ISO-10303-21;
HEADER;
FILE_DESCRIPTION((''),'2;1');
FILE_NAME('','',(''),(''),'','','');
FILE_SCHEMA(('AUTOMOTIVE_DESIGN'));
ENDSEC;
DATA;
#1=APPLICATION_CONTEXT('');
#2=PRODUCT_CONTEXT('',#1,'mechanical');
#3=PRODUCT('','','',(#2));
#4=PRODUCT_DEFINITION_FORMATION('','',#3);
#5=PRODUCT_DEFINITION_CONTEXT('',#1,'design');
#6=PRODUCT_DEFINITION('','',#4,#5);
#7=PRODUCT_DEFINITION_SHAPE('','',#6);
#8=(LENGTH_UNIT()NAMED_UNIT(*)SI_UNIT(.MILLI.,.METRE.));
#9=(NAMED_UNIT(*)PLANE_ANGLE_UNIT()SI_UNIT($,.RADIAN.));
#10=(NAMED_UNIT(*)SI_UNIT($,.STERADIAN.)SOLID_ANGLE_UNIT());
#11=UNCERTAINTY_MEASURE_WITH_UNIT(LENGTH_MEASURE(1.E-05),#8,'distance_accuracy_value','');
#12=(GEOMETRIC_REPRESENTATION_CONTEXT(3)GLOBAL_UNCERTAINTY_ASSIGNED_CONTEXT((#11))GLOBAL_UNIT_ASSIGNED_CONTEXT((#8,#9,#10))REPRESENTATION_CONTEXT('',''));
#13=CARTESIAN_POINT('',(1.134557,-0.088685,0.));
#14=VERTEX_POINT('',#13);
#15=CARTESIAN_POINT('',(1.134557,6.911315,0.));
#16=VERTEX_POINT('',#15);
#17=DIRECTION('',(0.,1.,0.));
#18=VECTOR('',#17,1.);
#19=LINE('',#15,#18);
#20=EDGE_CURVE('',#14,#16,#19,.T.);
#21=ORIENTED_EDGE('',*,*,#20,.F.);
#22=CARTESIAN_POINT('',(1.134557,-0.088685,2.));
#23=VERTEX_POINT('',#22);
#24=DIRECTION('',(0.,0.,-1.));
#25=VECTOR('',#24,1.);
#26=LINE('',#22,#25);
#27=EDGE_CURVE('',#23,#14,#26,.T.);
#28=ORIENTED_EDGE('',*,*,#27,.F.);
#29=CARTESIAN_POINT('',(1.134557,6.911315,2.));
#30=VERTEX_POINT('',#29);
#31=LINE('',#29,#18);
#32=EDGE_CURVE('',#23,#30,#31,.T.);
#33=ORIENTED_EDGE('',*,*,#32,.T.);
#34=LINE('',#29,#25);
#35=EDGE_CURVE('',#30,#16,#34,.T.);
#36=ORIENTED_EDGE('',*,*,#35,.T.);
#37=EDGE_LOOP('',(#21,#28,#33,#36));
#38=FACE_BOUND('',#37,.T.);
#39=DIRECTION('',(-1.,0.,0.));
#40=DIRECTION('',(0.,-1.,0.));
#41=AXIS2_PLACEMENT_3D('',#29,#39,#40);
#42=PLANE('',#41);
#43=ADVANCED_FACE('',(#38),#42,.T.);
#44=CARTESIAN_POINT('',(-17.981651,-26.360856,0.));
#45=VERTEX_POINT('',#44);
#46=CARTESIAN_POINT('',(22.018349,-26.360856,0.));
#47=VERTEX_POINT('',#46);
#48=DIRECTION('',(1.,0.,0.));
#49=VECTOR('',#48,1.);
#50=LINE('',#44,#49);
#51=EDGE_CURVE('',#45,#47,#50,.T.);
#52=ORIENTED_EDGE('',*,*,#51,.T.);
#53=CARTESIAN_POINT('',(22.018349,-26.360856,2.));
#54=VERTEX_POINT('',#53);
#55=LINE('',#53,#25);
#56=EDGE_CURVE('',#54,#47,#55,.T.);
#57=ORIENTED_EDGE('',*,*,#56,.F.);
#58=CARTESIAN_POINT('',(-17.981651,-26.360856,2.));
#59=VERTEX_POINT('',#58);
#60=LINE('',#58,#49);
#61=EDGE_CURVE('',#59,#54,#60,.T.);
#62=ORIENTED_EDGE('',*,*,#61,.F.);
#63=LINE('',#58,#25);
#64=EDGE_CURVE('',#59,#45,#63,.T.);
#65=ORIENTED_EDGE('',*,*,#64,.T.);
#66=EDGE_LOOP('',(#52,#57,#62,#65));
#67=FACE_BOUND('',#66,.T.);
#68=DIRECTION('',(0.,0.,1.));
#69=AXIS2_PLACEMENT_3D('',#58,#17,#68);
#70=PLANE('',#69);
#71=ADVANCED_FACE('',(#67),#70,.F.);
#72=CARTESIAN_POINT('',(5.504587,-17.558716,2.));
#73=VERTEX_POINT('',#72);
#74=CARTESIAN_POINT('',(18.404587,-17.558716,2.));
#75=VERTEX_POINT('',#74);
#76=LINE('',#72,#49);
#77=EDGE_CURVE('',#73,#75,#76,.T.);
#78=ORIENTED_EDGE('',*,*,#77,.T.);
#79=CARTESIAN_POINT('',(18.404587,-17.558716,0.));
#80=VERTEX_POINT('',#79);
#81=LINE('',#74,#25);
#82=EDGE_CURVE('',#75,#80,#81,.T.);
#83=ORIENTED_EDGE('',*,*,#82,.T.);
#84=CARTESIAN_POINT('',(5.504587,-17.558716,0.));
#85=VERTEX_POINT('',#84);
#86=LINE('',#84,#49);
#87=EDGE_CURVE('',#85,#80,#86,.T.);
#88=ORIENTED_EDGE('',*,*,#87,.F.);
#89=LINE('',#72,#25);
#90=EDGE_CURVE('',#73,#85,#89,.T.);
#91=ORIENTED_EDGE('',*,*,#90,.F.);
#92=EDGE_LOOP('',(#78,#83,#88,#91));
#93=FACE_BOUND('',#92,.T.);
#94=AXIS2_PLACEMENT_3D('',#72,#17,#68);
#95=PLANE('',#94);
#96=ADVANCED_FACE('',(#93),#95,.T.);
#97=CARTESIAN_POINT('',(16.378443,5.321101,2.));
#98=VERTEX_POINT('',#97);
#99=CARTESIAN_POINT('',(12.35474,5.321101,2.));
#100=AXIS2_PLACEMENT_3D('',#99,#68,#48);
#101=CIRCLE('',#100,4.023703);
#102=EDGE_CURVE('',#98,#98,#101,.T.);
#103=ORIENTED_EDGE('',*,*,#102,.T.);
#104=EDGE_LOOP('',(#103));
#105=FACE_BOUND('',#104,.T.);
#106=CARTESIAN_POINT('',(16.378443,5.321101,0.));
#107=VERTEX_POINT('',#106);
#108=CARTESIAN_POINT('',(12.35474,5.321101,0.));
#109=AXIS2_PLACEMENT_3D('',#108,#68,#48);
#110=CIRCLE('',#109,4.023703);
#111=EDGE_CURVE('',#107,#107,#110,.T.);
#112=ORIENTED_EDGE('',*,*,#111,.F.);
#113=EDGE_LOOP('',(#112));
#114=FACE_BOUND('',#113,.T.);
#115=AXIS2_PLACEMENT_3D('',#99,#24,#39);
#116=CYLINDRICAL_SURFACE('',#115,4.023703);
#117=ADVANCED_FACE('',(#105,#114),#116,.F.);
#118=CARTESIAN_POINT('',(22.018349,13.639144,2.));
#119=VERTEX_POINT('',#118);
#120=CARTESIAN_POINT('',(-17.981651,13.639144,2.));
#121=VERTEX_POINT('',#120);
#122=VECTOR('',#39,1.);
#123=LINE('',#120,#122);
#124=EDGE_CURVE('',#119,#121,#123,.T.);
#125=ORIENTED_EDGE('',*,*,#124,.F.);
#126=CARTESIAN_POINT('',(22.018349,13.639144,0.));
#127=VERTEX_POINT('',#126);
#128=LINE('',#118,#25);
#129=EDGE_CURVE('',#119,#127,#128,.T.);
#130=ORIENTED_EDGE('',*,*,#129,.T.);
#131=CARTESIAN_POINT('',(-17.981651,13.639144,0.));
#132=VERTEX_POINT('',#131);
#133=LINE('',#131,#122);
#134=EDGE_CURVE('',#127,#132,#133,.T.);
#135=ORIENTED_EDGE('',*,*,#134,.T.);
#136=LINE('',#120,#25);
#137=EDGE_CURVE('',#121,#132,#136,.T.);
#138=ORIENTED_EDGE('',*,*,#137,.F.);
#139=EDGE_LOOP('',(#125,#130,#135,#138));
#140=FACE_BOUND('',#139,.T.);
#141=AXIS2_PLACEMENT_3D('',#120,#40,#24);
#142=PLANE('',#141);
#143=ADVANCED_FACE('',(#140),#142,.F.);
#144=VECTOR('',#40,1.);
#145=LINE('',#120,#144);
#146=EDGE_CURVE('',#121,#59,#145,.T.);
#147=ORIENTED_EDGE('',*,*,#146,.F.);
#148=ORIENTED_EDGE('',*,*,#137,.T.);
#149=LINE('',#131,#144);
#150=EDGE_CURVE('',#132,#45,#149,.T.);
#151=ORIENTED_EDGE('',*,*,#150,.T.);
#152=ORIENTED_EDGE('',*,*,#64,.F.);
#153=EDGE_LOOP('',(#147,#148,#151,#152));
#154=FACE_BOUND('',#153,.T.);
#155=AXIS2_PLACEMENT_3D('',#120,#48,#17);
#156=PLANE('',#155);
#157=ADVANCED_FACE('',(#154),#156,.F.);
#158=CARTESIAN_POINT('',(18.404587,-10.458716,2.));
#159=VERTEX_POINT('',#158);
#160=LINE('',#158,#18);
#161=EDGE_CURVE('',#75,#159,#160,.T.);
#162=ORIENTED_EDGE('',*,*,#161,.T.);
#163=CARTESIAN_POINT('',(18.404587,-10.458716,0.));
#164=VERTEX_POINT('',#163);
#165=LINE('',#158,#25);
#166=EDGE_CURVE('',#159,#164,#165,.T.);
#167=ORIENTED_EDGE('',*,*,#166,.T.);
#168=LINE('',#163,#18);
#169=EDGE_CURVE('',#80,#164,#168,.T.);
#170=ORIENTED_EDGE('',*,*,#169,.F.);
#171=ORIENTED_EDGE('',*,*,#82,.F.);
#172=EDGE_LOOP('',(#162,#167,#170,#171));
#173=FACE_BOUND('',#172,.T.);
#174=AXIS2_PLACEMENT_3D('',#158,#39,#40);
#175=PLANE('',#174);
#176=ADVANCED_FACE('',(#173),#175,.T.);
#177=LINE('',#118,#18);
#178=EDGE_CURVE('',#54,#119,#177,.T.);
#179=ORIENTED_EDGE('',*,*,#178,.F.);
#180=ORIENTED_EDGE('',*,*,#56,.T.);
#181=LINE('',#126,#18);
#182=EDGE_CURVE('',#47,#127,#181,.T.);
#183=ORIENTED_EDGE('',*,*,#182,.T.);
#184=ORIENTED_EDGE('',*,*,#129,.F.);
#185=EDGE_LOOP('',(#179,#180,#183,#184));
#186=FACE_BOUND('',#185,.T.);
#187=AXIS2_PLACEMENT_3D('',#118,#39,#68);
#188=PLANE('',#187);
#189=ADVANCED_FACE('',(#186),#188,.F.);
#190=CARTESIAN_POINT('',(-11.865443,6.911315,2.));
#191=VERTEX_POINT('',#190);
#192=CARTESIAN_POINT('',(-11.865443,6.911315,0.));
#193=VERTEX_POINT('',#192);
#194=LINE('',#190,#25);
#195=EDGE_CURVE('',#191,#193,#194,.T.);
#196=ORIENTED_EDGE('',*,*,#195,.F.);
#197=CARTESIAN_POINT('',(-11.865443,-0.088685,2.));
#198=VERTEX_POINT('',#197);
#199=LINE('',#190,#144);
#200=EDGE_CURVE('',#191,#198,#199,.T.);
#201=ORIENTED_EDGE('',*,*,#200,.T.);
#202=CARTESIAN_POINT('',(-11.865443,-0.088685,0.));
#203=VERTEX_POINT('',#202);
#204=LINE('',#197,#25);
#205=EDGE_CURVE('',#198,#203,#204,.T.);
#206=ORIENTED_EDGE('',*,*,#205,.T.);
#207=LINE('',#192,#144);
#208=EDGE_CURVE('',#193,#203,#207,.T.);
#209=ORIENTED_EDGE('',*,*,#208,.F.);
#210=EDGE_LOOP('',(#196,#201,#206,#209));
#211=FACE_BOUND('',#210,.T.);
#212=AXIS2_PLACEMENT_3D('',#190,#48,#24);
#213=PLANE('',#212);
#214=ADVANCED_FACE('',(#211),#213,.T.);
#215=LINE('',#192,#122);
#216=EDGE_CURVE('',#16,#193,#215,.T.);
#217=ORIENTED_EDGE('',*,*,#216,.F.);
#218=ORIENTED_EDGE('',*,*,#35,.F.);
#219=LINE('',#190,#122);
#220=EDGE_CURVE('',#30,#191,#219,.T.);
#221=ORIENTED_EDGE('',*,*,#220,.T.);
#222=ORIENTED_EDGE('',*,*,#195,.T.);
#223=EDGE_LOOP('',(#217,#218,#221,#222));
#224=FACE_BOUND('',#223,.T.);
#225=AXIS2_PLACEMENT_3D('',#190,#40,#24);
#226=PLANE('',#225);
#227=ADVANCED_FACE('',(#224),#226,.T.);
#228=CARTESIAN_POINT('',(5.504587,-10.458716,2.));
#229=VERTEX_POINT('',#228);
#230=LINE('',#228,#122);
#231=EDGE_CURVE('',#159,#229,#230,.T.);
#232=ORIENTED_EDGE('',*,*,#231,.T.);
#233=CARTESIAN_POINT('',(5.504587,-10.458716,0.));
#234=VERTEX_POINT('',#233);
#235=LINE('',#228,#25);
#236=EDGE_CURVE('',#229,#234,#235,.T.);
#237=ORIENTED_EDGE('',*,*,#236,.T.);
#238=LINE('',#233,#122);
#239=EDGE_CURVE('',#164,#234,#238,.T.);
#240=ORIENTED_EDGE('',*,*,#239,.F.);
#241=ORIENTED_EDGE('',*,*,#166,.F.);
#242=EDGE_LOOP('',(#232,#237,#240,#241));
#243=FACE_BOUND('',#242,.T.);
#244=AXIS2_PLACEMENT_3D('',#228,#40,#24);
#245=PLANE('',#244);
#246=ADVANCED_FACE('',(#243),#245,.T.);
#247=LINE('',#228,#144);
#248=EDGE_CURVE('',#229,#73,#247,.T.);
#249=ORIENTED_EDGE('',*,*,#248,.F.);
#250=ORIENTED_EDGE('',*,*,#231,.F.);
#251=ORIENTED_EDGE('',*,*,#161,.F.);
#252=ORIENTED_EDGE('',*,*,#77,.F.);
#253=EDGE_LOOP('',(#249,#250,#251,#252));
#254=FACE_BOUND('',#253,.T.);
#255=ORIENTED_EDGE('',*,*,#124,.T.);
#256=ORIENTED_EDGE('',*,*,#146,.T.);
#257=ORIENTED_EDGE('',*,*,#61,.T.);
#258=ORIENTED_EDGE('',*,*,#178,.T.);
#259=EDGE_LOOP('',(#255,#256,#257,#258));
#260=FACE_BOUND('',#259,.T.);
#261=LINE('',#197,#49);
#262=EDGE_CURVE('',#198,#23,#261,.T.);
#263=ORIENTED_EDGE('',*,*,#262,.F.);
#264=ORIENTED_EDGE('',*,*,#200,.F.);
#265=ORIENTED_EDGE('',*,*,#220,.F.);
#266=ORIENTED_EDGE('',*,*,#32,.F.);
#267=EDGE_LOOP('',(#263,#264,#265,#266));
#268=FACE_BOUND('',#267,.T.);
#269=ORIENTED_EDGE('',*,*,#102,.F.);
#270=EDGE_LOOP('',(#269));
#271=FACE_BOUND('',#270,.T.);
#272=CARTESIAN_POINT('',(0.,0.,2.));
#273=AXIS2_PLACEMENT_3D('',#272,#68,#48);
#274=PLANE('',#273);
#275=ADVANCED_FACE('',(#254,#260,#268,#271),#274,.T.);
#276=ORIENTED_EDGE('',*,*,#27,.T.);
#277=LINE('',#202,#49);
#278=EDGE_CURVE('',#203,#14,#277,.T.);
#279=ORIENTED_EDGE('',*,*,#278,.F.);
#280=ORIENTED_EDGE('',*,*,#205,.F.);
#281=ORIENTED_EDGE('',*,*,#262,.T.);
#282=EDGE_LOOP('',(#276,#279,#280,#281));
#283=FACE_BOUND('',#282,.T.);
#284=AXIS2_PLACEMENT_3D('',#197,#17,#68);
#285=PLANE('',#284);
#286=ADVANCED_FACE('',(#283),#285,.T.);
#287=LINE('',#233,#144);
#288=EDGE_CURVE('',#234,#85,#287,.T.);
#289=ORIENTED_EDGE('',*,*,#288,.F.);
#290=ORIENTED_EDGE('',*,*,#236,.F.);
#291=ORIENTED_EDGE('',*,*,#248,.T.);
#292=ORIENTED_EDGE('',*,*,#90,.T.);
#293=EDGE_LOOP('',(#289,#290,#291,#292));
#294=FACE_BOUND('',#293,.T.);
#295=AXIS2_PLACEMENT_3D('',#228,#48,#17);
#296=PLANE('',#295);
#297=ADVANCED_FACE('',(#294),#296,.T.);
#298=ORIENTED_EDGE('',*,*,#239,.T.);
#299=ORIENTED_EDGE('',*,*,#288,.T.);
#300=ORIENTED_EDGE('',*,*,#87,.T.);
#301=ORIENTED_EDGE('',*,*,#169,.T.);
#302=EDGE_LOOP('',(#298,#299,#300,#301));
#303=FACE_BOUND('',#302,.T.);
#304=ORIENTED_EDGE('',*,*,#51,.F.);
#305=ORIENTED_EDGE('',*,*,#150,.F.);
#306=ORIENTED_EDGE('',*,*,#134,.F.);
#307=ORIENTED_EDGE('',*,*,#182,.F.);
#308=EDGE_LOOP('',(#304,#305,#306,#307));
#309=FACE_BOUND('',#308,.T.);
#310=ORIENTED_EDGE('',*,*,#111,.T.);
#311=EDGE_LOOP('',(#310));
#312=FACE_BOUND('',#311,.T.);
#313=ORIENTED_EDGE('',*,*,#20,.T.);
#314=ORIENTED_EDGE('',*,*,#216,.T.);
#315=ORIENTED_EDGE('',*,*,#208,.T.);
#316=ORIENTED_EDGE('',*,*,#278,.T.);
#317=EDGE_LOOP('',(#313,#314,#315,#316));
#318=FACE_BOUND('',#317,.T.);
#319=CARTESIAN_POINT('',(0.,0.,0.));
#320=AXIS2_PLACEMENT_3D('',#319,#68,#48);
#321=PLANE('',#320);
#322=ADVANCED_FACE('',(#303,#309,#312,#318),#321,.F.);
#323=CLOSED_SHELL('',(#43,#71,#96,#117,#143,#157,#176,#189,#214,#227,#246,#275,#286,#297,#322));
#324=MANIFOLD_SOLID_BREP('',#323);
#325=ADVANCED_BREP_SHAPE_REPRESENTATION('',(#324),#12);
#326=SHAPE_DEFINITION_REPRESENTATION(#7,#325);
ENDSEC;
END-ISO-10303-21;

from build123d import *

# Parameters (mm, degrees)
SKETCH1_W           = 40
SKETCH1_H           = 40
SKETCH1_R           = 4.023702557
SKETCH1_W_2         = 13
SKETCH1_H_2         = 7
SKETCH1_W_3         = 12.9
SKETCH1_H_3         = 7.1
BOSS_EXTRUDE1_DEPTH = 2


with BuildPart() as part:
    # Sketch1 → Boss-Extrude1 (new body)
    with BuildSketch(Plane.XY):
        with Locations((2.018348624, -6.360856269)):
            Rectangle(SKETCH1_W, SKETCH1_H)
        with Locations((12.354740061, 5.321100917)):
            Circle(SKETCH1_R, mode=Mode.SUBTRACT)
        with Locations((-5.365443425, 3.411314985)):
            Rectangle(SKETCH1_W_2, SKETCH1_H_2, mode=Mode.SUBTRACT)
        with Locations((11.954587156, -14.008715596)):
            Rectangle(SKETCH1_W_3, SKETCH1_H_3, mode=Mode.SUBTRACT)
    extrude(amount=BOSS_EXTRUDE1_DEPTH)


solid = part.part
